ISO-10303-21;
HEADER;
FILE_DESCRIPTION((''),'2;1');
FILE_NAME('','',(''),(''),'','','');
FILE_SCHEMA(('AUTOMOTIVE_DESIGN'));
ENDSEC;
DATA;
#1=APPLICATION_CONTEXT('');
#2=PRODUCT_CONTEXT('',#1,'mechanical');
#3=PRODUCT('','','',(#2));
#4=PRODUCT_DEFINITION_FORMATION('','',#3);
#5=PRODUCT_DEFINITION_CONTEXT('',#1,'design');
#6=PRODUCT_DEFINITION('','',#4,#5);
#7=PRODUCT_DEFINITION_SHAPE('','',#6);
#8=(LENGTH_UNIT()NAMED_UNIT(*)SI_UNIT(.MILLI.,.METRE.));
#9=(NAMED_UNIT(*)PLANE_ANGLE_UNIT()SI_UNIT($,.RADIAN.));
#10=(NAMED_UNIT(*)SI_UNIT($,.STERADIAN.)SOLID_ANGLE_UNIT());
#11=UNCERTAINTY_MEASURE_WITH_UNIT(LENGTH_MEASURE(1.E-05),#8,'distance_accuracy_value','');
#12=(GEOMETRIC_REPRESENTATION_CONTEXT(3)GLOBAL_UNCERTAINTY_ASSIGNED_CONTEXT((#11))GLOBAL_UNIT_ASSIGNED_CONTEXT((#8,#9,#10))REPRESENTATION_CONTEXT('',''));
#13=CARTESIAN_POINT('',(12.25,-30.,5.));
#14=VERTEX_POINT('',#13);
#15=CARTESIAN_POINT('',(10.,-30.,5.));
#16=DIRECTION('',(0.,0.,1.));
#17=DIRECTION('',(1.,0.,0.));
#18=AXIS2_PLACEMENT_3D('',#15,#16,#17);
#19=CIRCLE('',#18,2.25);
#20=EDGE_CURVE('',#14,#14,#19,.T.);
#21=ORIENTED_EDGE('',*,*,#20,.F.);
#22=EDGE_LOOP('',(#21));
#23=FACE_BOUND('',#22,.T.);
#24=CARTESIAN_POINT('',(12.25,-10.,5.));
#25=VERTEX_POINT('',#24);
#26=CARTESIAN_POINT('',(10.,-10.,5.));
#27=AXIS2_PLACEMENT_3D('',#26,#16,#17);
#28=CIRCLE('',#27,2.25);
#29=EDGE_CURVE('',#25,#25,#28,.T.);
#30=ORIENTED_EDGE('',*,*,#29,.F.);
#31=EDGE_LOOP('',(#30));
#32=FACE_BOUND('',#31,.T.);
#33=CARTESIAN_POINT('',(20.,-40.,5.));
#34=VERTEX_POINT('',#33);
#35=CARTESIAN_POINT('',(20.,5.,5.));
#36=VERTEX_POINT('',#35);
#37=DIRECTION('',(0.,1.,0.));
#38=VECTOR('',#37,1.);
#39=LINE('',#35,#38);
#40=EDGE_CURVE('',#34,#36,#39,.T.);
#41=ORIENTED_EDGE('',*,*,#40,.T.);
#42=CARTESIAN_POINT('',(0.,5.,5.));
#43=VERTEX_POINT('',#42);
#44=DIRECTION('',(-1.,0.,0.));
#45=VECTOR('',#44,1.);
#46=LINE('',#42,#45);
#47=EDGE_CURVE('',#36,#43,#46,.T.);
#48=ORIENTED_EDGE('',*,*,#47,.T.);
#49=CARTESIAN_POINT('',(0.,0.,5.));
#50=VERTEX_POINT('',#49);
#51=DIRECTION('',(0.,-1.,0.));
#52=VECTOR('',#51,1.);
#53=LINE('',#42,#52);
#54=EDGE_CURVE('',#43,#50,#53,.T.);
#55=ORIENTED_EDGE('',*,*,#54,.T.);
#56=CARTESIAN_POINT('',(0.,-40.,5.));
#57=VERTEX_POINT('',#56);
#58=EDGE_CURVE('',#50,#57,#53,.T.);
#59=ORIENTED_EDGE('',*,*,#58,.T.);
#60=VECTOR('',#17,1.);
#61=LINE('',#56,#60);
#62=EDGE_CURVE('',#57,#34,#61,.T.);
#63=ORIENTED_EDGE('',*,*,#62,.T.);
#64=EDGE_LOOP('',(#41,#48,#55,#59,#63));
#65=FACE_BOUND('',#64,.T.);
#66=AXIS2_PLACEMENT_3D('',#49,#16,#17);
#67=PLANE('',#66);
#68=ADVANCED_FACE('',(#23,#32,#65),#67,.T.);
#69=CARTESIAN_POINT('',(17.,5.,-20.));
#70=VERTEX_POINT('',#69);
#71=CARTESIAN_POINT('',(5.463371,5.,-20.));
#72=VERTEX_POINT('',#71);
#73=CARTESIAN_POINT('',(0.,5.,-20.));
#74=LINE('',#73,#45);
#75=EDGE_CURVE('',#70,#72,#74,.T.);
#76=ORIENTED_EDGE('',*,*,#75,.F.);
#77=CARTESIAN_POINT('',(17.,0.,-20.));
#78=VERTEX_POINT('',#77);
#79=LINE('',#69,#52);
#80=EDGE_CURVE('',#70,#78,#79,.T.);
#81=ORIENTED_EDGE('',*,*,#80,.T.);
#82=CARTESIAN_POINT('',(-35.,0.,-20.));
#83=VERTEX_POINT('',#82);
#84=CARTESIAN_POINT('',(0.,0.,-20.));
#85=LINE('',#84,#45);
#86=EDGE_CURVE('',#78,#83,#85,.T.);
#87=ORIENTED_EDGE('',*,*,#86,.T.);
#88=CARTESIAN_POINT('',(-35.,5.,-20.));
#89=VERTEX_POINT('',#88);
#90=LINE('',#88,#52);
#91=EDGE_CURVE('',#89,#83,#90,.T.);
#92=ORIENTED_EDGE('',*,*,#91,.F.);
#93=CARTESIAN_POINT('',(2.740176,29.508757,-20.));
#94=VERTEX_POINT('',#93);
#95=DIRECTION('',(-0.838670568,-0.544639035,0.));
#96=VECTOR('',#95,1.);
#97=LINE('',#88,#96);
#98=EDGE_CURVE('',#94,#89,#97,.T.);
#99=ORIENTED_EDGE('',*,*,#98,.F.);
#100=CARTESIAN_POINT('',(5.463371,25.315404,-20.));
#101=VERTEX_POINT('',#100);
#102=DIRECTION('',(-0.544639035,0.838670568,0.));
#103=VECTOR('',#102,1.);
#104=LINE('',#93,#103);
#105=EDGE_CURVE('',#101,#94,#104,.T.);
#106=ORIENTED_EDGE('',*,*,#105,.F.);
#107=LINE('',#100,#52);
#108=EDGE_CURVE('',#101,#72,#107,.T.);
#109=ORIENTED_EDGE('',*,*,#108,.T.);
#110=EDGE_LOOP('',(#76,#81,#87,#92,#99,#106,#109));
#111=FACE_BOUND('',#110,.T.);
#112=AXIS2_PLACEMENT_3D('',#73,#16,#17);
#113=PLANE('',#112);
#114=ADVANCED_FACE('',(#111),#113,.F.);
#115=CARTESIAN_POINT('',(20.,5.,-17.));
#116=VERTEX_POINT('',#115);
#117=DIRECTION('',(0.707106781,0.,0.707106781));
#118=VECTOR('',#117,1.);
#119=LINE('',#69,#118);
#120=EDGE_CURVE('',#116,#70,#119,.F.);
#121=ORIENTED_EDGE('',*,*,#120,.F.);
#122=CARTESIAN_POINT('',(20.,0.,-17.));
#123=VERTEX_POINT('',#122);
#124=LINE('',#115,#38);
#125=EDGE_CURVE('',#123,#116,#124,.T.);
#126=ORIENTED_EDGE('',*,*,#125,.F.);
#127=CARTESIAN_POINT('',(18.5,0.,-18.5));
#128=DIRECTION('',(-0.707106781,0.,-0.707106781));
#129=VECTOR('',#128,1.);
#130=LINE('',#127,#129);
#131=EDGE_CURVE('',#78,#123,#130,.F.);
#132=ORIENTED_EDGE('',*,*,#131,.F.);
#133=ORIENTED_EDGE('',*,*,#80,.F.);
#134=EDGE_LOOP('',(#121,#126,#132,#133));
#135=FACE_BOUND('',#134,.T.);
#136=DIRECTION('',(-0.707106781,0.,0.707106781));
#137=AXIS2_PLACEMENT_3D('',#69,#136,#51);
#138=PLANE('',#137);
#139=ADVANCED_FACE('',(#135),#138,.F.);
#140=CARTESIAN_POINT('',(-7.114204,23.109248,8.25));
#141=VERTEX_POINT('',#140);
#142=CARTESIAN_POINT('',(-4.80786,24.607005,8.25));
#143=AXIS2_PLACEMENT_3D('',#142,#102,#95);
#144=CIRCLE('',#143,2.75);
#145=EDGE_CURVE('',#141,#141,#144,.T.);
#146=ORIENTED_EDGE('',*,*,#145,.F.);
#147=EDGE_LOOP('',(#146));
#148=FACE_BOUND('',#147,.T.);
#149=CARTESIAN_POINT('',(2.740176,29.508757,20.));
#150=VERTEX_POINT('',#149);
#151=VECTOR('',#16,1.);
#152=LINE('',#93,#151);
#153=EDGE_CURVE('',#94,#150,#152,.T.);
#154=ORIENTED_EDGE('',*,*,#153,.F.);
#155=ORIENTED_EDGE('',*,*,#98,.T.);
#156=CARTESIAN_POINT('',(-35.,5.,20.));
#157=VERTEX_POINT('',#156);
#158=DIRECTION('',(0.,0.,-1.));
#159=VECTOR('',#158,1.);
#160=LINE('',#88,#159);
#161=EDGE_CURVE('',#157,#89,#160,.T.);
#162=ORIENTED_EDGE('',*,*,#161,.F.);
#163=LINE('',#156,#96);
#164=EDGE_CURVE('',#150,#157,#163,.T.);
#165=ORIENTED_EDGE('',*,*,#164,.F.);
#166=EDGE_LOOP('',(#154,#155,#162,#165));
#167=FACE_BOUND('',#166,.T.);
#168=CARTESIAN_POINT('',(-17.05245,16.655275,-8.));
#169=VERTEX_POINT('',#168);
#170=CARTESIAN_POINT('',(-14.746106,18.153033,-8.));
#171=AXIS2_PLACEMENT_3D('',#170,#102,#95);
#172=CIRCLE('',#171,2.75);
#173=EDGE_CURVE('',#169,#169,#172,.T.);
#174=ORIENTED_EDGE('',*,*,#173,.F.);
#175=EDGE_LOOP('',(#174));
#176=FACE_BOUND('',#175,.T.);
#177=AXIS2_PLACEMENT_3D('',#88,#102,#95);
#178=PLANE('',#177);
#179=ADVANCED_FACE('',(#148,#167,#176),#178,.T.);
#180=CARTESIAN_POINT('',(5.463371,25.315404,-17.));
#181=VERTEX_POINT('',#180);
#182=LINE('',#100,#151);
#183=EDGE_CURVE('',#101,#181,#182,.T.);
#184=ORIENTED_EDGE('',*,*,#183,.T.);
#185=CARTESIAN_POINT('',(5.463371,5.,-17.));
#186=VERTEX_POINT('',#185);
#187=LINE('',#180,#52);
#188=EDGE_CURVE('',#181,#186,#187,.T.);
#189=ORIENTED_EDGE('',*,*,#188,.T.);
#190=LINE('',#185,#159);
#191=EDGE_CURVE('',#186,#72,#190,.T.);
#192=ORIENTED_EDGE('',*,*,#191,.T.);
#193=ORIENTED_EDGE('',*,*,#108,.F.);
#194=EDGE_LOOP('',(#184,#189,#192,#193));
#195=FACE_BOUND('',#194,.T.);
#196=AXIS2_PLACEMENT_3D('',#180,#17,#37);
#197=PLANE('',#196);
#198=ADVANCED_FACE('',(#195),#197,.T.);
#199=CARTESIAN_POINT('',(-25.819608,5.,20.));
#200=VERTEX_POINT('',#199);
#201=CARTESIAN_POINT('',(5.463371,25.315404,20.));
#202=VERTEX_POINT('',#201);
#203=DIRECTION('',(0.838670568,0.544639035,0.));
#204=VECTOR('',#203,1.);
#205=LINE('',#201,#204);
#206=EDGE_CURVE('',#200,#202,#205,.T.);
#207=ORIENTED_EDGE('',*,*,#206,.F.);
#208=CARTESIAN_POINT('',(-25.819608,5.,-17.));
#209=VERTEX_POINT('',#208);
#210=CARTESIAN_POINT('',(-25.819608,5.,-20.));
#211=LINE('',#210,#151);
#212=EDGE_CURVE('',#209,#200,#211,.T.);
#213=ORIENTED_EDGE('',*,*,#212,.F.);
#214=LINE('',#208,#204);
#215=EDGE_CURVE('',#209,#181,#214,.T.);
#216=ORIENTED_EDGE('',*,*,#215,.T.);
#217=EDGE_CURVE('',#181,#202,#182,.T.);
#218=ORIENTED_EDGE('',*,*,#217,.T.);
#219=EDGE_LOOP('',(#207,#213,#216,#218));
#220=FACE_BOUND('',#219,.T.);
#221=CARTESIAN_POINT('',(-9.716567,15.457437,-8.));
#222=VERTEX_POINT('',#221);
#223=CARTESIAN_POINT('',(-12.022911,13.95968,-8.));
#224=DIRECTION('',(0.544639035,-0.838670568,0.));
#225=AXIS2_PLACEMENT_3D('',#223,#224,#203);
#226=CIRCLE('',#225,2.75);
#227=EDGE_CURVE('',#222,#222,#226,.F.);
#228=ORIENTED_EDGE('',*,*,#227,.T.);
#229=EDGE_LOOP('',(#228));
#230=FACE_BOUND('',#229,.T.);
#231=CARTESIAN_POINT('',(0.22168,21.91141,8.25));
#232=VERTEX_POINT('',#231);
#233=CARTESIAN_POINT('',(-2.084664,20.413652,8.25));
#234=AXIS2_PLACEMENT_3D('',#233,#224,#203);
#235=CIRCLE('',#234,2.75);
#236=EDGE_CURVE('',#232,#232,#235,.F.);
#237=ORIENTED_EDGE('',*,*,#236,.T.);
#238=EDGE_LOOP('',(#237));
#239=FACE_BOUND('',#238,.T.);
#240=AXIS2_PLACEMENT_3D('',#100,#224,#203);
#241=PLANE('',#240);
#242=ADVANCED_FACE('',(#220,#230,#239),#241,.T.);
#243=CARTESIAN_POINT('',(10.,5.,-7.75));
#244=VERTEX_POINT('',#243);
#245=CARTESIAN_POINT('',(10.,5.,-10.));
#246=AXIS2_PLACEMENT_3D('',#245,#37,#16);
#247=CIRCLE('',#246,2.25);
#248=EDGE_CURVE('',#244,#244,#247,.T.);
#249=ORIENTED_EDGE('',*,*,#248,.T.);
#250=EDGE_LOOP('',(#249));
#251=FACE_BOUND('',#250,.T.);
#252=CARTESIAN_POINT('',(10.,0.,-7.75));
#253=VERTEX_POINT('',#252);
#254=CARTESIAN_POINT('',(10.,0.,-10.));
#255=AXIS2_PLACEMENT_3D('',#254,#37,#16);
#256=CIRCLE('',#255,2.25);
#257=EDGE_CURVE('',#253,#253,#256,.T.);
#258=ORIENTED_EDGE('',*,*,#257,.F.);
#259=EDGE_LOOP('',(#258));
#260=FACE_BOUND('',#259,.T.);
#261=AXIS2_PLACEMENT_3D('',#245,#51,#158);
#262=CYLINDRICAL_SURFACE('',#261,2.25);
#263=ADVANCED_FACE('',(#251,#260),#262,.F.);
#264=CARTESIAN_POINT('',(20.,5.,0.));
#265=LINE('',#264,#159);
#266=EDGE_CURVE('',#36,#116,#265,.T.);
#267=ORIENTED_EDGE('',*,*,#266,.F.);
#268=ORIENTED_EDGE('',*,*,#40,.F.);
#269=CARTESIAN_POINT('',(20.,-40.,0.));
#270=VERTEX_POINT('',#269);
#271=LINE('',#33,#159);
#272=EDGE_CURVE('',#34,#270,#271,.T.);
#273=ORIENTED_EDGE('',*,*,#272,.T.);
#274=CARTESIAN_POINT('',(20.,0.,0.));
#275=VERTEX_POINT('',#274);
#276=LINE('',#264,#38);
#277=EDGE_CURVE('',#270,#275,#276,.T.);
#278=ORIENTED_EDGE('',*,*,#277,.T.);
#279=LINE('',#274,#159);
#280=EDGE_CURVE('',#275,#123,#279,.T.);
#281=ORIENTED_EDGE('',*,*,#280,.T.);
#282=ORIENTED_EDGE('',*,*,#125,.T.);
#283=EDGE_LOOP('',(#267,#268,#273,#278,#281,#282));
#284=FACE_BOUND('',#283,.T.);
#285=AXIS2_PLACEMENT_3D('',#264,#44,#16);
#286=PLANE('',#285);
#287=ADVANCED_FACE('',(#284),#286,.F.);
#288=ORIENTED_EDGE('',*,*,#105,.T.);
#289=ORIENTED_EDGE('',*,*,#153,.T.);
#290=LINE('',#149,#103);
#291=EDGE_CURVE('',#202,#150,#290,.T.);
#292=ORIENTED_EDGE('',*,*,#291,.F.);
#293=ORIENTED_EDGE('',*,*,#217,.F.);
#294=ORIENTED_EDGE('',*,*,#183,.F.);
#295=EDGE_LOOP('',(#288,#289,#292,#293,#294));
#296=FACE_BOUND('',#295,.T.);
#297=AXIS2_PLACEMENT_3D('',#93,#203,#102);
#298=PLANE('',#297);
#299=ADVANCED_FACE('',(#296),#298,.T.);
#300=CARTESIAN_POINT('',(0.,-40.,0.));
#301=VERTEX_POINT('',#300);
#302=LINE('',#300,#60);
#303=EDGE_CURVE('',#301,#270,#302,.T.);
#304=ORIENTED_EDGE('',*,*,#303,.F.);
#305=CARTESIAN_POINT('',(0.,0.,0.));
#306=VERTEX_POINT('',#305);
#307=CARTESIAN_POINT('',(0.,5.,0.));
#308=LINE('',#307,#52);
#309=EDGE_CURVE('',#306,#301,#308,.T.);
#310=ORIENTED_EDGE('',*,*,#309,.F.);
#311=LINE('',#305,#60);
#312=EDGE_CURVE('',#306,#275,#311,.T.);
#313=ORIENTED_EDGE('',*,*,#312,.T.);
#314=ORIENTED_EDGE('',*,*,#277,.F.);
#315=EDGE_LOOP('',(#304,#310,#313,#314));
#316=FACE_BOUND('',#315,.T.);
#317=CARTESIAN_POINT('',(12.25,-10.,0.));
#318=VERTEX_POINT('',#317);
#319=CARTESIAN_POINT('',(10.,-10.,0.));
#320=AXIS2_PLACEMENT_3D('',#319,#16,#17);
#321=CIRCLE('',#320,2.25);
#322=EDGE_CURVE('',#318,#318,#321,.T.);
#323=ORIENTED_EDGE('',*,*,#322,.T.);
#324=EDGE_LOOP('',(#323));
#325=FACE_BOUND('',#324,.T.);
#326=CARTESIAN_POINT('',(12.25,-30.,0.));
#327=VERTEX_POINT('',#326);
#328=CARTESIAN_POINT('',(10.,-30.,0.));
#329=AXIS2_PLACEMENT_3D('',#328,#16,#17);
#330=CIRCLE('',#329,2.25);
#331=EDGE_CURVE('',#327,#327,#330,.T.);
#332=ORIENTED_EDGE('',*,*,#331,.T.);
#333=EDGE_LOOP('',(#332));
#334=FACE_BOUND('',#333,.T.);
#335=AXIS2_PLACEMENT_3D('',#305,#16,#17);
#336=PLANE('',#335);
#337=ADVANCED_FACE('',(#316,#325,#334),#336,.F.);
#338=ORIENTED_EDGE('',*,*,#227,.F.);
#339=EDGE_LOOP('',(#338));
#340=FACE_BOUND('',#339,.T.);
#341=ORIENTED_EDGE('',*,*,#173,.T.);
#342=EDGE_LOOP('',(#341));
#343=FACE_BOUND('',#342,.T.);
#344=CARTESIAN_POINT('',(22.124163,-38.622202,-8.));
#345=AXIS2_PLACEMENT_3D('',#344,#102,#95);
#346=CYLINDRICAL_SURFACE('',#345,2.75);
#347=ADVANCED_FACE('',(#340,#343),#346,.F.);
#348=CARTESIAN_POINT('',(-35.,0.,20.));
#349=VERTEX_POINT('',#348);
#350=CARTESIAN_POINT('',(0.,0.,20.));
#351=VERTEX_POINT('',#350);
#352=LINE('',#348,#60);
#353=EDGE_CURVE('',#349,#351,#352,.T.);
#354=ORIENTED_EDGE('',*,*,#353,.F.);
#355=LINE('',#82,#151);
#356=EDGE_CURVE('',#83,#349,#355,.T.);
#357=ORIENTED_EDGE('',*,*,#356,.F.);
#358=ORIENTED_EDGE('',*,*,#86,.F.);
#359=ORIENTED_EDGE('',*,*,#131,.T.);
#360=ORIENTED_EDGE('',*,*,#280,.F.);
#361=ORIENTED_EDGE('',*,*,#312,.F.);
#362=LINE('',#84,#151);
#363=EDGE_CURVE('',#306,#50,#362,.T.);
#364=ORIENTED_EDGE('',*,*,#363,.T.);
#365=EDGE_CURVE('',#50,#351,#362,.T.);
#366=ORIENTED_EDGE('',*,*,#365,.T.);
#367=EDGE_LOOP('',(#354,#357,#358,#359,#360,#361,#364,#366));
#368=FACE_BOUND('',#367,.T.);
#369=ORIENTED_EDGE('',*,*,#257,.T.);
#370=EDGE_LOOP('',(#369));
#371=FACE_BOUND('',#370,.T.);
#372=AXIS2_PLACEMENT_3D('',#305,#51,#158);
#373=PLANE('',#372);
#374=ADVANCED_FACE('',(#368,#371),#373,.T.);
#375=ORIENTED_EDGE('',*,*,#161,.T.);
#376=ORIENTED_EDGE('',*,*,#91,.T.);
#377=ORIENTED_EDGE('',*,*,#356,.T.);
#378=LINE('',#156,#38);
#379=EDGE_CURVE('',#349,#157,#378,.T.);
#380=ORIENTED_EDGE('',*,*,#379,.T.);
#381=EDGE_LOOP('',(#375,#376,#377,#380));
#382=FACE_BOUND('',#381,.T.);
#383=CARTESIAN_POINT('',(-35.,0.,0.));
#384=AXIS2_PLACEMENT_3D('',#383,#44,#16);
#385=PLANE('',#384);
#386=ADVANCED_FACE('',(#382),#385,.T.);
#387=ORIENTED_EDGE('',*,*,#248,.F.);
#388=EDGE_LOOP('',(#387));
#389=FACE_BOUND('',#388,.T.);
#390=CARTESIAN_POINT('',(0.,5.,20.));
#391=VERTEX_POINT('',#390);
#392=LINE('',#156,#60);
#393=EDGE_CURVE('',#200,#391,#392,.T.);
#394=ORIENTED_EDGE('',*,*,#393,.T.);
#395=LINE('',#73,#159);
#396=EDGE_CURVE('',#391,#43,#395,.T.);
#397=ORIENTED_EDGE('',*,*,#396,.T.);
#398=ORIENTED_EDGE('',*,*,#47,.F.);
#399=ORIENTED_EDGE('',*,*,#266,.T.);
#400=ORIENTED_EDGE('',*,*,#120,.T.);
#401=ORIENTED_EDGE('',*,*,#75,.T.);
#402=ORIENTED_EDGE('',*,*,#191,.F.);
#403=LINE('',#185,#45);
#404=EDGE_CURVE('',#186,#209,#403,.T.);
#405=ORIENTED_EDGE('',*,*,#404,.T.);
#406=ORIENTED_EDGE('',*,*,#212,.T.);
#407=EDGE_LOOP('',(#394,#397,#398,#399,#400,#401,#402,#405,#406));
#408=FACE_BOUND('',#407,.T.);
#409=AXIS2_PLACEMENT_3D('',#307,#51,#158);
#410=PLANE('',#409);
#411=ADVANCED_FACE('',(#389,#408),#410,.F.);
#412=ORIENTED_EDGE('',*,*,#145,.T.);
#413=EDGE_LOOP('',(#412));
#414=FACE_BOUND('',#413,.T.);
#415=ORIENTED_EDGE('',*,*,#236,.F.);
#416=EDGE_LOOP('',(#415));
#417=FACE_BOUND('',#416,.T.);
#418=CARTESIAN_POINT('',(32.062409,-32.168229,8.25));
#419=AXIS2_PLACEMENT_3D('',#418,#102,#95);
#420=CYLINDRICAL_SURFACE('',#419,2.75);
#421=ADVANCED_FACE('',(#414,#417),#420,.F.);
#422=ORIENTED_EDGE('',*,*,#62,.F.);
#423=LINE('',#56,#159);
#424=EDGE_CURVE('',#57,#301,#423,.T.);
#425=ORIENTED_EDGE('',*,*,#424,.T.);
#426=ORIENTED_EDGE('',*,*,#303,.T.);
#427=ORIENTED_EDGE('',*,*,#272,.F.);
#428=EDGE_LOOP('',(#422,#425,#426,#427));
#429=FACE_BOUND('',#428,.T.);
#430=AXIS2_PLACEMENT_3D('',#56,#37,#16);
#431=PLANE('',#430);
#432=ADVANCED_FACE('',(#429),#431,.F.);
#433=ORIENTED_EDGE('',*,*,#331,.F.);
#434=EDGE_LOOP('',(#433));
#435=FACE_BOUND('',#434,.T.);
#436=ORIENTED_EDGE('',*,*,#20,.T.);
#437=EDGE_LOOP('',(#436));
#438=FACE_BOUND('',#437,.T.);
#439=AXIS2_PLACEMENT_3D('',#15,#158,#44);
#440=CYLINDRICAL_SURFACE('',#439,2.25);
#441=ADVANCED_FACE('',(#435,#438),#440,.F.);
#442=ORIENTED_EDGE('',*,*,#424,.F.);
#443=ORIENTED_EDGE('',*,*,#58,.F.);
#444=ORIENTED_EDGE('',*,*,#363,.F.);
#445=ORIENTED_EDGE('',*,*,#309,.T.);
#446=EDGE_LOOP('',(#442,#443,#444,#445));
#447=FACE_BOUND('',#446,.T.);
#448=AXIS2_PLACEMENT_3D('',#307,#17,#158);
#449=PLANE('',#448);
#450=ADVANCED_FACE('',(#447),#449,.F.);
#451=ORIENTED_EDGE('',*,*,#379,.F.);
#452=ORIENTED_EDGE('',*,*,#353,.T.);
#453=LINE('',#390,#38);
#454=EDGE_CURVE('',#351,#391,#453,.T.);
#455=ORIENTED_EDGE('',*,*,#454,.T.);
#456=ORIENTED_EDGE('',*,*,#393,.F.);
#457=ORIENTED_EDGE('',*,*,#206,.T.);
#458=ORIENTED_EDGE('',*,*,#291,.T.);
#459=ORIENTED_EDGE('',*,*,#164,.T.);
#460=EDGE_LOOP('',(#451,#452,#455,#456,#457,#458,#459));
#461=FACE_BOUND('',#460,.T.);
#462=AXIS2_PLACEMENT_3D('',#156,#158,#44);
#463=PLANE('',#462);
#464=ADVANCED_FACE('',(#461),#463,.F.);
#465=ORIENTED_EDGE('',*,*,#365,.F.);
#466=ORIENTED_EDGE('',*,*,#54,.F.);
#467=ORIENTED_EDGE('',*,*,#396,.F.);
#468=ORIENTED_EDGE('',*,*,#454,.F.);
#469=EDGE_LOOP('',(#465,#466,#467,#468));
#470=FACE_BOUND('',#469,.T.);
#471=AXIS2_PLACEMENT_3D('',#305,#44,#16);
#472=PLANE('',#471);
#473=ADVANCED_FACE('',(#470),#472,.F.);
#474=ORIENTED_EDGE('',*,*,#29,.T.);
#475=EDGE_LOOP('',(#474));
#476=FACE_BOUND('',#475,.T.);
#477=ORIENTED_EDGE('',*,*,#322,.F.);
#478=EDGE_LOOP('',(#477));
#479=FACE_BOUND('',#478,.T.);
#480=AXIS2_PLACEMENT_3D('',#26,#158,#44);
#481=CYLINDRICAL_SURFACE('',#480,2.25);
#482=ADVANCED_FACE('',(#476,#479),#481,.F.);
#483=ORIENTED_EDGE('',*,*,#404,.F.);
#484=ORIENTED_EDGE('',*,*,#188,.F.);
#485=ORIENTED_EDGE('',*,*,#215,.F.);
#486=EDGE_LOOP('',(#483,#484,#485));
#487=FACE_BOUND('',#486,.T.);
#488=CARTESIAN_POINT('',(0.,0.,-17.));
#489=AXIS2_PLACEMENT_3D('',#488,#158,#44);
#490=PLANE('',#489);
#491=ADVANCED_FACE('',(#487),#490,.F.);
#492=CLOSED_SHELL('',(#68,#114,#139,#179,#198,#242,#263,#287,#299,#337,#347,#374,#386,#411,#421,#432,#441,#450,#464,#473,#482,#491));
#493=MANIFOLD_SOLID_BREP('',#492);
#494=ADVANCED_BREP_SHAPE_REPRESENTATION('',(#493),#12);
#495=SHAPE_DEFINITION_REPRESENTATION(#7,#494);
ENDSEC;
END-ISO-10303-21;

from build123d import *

# Parameters (mm, degrees)
SKETCH1_W           = 20
SKETCH1_H           = 20
SKETCH1_R           = 2.25
BOSS_EXTRUDE1_DEPTH = 5
SKETCH2_W           = 20
SKETCH2_H           = 45
SKETCH2_R           = 2.25
BOSS_EXTRUDE2_DEPTH = 5
CHAMFER1_SIZE       = 3
SKETCH3_W           = 40
SKETCH3_H           = 5
BOSS_EXTRUDE3_DEPTH = 35
BOSS_EXTRUDE4_DEPTH = 40
BOSS_EXTRUDE5_DEPTH = 3
CUT_EXTRUDE1_REACH  = 72.766
SKETCH6_R           = 2.75


with BuildPart() as part:
    # Sketch1 → Boss-Extrude1 (new body)
    with BuildSketch(Plane(origin=(0, 0, 0), x_dir=(1, 0, 0), z_dir=(0, 1, 0))):
        with Locations((10, 10)):
            Rectangle(SKETCH1_W, SKETCH1_H)
        with Locations((10, 10)):
            Circle(SKETCH1_R, mode=Mode.SUBTRACT)
    extrude(amount=BOSS_EXTRUDE1_DEPTH)

    # Sketch2 → Boss-Extrude2 (add)
    with BuildSketch(Plane.XY):
        with Locations((10, -17.5)):
            Rectangle(SKETCH2_W, SKETCH2_H)
        with Locations((10, -30)):
            Circle(SKETCH2_R, mode=Mode.SUBTRACT)
        with Locations((10, -10)):
            Circle(SKETCH2_R, mode=Mode.SUBTRACT)
    extrude(amount=BOSS_EXTRUDE2_DEPTH)

    # Chamfer1
    chamfer1_edges = [part.edges().sort_by_distance(p)[0] for p in [
        (20, 2.5, -20),
    ]]
    chamfer(chamfer1_edges, length=CHAMFER1_SIZE)

    # Sketch3 → Boss-Extrude3 (add)
    with BuildSketch(Plane.ZY):
        with Locations((0, 2.5)):
            Rectangle(SKETCH3_W, SKETCH3_H)
    extrude(amount=BOSS_EXTRUDE3_DEPTH)

    # Sketch4 → Boss-Extrude4 (add)
    with BuildSketch(Plane.XY.offset(20)):
        Polygon((-35, 5), (2.740175558, 29.508756576), (5.463370733, 25.315403736), (-25.819607706, 5), align=None)
    extrude(amount=-BOSS_EXTRUDE4_DEPTH)

    # Sketch5 → Boss-Extrude5 (add)
    with BuildSketch(Plane(origin=(0, 0, -20), x_dir=(-1, 0, 0), z_dir=(0, 0, -1))):
        Polygon((-5.463370733, 25.315403736), (-5.463370733, 5), (25.819607706, 5), align=None)
    extrude(amount=-BOSS_EXTRUDE5_DEPTH)

    # Sketch6 → Cut-Extrude1 (cut, up to next)
    with BuildSketch(Plane(origin=(-12.66597239, 19.503887116, 0), x_dir=(0.8386705679454272, 0.5446390350150224, 0), z_dir=(-0.5446390350150224, 0.8386705679454272, 0)), mode=Mode.PRIVATE) as cut_extrude1_sk1:
        with Locations((9.369725297, -8.25)):
            Circle(SKETCH6_R)
    cut_extrude1_tool1 = extrude(cut_extrude1_sk1.sketch, amount=-CUT_EXTRUDE1_REACH, mode=Mode.PRIVATE) & part.part
    # Sketch6 → Cut-Extrude1 (cut, up to next)
    with BuildSketch(Plane(origin=(-12.66597239, 19.503887116, 0), x_dir=(0.8386705679454272, 0.5446390350150224, 0), z_dir=(-0.5446390350150224, 0.8386705679454272, 0)), mode=Mode.PRIVATE) as cut_extrude1_sk2:
        with Locations((-2.480274703, 8)):
            Circle(SKETCH6_R)
    cut_extrude1_tool2 = extrude(cut_extrude1_sk2.sketch, amount=-CUT_EXTRUDE1_REACH, mode=Mode.PRIVATE) & part.part
    add(cut_extrude1_tool1.solids().sort_by_distance((-4.80786, 24.607005, 8.25))[0], mode=Mode.SUBTRACT)
    add(cut_extrude1_tool2.solids().sort_by_distance((-14.746106, 18.153033, -8))[0], mode=Mode.SUBTRACT)


solid = part.part
